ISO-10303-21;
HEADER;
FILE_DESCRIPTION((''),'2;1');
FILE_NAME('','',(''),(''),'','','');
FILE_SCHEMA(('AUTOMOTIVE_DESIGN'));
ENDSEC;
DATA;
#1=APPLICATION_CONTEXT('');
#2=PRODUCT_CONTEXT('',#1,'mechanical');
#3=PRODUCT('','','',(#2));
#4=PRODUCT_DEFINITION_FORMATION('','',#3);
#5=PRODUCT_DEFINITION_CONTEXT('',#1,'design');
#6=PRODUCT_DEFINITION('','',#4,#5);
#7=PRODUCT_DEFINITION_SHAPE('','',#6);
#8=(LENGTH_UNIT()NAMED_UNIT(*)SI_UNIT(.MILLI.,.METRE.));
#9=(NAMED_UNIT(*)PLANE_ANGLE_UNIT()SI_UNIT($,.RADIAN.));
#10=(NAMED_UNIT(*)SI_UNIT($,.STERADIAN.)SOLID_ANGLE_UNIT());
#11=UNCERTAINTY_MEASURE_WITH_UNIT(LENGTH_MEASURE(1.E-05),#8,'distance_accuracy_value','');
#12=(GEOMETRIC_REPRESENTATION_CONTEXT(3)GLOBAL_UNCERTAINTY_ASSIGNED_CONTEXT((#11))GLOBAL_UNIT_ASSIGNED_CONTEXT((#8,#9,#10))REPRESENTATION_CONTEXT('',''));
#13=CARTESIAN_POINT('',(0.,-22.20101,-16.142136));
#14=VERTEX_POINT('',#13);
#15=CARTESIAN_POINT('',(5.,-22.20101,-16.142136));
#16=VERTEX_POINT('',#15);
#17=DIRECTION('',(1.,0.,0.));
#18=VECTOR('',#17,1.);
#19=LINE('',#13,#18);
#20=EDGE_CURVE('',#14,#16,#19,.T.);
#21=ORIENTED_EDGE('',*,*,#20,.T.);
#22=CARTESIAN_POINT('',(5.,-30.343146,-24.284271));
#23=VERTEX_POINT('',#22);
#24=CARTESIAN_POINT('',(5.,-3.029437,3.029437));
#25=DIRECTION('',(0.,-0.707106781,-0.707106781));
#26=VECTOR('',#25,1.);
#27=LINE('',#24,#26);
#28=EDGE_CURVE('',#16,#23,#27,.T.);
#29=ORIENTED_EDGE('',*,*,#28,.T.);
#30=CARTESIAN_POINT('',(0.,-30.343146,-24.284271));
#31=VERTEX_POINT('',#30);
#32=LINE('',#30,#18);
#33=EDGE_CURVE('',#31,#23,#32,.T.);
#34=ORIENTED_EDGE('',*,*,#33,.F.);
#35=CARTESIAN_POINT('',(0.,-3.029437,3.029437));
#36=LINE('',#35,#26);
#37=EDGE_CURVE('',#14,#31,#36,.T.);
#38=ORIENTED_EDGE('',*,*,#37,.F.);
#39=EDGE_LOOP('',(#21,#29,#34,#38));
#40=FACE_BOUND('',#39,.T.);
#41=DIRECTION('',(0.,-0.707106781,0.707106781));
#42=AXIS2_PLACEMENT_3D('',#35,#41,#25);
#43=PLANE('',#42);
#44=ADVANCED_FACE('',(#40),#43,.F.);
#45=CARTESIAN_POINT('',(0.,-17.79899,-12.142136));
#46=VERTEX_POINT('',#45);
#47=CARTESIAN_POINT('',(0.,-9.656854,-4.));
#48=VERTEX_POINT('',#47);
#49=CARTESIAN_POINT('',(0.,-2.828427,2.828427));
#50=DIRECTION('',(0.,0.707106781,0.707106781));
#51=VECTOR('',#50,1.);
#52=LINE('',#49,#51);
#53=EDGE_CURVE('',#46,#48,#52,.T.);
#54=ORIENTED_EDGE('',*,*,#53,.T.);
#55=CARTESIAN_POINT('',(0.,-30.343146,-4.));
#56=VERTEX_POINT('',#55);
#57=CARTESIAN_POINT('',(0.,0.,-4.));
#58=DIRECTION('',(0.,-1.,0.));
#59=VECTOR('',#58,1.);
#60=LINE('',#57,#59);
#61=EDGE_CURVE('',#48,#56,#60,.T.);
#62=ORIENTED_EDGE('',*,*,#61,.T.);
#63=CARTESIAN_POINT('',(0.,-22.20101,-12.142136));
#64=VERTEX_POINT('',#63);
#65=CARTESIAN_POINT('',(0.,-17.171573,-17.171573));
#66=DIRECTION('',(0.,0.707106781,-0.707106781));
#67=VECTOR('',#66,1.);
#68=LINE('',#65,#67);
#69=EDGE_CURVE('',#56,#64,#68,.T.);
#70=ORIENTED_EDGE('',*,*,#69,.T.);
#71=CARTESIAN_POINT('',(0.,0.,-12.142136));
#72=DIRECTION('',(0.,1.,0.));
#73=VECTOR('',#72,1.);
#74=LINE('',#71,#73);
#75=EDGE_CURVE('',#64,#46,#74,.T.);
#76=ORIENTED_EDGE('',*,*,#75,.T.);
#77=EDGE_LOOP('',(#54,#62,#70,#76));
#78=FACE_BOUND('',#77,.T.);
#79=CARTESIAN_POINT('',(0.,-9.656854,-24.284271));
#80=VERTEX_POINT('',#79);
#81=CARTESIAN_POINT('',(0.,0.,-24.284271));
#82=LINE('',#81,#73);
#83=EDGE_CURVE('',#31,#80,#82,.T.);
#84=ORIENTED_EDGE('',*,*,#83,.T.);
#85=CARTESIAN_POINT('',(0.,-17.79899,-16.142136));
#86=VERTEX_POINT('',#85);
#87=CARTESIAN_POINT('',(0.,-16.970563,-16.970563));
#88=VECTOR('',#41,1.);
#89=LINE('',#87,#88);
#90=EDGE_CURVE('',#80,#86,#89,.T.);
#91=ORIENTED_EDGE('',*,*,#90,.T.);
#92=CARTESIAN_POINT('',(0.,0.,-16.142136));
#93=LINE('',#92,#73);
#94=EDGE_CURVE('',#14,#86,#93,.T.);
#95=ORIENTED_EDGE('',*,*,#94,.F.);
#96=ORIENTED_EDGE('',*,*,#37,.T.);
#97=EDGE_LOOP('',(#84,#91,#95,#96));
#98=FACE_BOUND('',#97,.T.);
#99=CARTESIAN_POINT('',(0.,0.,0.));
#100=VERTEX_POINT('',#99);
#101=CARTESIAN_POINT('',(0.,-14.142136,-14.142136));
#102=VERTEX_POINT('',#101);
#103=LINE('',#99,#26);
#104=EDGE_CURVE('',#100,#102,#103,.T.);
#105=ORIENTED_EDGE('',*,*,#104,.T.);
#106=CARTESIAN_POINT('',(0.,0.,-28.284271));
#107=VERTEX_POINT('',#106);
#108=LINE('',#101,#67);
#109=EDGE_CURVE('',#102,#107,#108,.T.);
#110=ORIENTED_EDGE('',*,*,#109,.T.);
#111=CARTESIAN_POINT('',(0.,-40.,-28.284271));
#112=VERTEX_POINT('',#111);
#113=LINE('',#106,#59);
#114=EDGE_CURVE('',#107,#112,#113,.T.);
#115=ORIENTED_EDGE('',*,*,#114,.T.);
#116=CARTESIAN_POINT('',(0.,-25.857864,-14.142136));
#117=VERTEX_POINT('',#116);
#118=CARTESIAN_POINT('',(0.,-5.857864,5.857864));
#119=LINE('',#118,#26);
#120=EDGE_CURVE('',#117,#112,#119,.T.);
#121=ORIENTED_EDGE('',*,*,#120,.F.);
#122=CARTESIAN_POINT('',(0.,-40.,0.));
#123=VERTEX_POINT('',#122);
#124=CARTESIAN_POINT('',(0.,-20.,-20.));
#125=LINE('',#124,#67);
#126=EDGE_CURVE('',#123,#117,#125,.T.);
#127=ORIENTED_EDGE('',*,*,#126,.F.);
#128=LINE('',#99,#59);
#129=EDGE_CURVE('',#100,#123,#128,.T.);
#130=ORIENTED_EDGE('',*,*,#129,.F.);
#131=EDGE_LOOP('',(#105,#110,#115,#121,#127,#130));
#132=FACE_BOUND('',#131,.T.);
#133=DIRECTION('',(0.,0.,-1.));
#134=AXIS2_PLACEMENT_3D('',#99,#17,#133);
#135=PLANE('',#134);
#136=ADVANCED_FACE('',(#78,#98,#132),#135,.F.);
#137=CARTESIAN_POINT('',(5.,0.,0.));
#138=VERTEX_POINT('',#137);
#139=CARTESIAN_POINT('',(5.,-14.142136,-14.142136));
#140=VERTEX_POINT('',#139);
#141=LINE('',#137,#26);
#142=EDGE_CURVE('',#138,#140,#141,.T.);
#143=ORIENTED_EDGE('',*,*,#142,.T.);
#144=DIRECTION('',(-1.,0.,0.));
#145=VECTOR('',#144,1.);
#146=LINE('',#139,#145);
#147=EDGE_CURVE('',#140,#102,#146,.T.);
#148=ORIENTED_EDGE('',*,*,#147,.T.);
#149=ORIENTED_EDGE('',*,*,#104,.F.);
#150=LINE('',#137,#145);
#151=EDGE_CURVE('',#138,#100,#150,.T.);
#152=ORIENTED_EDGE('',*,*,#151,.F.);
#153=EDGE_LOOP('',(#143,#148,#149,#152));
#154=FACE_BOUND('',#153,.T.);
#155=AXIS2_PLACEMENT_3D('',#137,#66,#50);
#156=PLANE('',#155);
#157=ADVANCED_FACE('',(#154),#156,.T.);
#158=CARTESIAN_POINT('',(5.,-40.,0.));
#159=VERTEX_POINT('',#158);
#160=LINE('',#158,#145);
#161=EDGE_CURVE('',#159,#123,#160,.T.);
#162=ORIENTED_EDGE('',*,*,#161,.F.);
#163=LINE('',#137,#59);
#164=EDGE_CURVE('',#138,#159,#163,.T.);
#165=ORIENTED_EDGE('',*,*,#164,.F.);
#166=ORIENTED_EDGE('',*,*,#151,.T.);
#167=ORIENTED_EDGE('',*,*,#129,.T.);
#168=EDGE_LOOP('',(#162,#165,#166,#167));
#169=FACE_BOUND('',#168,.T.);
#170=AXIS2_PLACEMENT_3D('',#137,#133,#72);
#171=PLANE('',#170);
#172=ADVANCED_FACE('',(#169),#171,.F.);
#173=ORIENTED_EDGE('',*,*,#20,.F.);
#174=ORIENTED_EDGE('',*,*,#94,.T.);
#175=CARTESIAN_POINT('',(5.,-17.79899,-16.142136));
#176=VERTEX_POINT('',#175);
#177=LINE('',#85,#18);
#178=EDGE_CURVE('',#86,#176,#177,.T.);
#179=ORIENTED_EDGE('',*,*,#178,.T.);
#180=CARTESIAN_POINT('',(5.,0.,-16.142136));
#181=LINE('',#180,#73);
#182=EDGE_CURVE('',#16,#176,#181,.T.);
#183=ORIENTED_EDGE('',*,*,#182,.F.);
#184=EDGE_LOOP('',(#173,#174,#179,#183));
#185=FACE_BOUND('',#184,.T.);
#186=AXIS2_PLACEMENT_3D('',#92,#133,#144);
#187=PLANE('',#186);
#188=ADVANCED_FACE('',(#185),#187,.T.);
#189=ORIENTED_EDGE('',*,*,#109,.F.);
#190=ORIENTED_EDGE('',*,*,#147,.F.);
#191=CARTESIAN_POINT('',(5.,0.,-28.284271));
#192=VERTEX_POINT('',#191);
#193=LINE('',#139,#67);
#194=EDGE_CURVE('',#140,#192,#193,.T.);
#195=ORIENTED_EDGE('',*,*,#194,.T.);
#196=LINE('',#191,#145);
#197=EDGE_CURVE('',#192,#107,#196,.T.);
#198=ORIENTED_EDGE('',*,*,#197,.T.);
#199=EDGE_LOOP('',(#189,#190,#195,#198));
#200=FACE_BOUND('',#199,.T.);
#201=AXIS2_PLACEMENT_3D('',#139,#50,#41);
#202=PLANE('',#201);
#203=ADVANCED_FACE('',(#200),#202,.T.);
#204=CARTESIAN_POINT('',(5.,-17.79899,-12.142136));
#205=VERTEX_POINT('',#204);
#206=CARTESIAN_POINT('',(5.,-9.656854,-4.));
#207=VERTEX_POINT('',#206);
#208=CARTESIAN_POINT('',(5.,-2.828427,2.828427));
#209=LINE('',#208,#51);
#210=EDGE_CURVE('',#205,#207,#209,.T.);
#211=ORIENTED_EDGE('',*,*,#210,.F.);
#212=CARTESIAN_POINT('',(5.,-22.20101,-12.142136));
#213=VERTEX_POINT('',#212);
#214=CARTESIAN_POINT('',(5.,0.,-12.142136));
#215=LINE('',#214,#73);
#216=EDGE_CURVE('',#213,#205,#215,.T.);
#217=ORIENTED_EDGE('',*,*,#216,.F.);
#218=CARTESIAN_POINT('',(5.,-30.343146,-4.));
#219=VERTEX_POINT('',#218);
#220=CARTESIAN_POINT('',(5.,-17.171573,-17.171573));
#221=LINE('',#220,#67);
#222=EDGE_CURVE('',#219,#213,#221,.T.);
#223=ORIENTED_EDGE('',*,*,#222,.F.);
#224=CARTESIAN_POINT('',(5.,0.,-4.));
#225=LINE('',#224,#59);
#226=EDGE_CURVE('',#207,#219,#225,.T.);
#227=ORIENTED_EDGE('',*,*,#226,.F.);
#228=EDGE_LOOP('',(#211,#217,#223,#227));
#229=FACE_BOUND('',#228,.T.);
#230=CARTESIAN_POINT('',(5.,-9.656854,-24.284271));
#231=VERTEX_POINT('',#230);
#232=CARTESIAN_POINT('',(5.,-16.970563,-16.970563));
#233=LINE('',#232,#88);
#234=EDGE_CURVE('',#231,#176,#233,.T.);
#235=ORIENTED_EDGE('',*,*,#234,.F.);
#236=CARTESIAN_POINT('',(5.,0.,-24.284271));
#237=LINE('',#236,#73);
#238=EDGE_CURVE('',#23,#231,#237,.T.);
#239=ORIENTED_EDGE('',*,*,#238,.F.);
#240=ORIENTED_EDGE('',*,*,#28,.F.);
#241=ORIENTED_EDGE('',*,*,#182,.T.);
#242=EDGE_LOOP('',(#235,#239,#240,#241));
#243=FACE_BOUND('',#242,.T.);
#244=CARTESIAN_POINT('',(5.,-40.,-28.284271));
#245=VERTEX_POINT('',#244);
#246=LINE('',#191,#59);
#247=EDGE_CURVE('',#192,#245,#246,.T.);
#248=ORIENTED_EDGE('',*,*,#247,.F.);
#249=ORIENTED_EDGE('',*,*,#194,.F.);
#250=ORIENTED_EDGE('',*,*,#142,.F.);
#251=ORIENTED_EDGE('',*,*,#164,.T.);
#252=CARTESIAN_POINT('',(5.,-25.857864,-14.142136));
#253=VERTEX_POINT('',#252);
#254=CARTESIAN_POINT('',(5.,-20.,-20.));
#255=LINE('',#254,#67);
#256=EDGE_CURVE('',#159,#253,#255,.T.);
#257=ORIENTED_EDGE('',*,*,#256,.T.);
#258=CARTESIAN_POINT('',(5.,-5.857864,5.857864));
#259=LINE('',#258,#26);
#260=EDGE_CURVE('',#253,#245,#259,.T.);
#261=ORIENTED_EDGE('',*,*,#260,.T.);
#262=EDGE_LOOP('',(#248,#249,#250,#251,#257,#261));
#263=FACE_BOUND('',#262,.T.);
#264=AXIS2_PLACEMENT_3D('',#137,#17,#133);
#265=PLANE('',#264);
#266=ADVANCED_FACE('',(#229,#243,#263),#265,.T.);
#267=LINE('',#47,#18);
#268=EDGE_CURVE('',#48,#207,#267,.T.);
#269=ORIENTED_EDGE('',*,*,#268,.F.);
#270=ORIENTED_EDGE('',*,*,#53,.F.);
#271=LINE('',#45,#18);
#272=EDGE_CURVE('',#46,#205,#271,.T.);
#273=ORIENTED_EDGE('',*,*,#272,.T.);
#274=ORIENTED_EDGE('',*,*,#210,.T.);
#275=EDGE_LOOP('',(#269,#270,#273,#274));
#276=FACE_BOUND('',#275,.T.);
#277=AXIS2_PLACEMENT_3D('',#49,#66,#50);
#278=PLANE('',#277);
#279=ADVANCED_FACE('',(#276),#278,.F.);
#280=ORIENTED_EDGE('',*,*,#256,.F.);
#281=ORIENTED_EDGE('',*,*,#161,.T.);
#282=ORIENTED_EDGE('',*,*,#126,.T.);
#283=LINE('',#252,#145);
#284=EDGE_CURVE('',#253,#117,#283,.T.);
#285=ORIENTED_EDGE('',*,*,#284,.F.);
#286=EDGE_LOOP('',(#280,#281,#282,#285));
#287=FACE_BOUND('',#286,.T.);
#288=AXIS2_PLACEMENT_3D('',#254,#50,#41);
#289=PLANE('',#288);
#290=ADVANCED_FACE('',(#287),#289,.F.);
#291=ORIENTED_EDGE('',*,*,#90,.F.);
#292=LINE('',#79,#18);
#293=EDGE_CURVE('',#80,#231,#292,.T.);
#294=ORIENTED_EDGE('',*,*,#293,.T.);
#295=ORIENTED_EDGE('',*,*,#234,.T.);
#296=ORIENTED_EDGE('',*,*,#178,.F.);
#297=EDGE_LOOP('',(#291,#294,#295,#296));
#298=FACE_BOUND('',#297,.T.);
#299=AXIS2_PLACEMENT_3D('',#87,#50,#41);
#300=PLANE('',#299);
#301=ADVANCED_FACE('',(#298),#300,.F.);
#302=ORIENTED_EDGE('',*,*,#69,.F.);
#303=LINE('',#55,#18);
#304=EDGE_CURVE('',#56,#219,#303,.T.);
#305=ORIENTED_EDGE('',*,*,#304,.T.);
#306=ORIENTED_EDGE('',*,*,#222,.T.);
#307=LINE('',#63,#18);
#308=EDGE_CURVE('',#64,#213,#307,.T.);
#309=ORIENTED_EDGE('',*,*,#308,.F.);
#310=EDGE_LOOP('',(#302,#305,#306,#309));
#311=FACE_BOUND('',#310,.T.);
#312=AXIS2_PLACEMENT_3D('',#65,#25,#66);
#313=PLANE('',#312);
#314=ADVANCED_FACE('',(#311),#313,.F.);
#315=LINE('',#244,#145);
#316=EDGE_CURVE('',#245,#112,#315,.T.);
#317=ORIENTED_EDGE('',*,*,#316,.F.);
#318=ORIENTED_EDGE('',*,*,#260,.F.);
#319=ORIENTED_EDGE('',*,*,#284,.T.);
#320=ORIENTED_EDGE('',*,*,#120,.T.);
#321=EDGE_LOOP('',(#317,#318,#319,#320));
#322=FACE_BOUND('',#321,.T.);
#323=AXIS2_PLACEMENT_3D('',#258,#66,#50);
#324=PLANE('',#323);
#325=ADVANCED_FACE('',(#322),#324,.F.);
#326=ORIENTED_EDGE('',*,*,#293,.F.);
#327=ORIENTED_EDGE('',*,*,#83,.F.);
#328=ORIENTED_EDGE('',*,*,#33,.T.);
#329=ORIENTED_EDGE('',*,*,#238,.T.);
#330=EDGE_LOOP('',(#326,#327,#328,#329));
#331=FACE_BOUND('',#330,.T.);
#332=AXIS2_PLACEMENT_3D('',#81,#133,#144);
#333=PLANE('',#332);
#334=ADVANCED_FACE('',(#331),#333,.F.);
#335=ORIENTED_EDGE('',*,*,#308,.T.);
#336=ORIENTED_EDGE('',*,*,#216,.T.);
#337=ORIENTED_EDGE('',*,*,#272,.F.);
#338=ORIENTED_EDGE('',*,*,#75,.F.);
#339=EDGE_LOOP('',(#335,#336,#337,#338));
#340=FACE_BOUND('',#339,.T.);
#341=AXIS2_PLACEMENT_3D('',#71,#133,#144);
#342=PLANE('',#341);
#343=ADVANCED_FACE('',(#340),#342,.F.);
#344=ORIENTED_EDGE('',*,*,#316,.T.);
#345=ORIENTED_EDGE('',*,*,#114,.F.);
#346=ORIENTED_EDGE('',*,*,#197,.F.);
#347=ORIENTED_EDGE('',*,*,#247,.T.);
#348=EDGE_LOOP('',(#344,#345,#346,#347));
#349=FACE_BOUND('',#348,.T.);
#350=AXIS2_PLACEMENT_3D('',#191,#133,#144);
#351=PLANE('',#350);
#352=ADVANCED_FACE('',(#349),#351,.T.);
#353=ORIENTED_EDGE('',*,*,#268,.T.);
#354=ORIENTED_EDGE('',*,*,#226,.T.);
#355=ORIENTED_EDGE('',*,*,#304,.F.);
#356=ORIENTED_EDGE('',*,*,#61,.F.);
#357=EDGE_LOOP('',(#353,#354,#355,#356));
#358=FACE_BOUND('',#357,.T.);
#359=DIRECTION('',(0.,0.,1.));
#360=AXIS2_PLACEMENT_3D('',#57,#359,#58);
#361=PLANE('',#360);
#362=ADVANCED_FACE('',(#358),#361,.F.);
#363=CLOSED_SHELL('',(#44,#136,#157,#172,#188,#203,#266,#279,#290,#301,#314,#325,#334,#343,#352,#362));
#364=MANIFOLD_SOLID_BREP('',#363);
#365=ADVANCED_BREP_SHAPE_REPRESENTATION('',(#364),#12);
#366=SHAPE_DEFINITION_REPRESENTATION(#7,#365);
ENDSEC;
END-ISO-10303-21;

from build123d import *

# Parameters (mm, degrees)
BOSS_EXTRUDE1_DEPTH = 5
CUT_EXTRUDE1_DEPTH  = 50.244289009


with BuildPart() as part:
    # Sketch1 → Boss-Extrude1 (new body)
    with BuildSketch(Plane(origin=(0, 0, 0), x_dir=(0, 0, -1), z_dir=(1, 0, 0))):
        Polygon((0, 0), (0, -40), (14.142135624, -25.857864376), (28.284271247, -40), (28.284271247, 0), (14.142135624, -14.142135624), align=None)
    extrude(amount=BOSS_EXTRUDE1_DEPTH)

    # Sketch2 → Cut-Extrude1 (cut, through all)
    with BuildSketch(Plane(origin=(5, 0, 0), x_dir=(0, 0, -1), z_dir=(1, 0, 0))):
        Polygon((4, -30.343145751), (12.142135624, -22.201010127), (12.142135624, -17.798989873), (4, -9.656854249), align=None)
        Polygon((16.142135624, -17.798989873), (16.142135624, -22.201010127), (24.284271247, -30.343145751), (24.284271247, -9.656854249), align=None)
    extrude(amount=-CUT_EXTRUDE1_DEPTH, mode=Mode.SUBTRACT)


solid = part.part
